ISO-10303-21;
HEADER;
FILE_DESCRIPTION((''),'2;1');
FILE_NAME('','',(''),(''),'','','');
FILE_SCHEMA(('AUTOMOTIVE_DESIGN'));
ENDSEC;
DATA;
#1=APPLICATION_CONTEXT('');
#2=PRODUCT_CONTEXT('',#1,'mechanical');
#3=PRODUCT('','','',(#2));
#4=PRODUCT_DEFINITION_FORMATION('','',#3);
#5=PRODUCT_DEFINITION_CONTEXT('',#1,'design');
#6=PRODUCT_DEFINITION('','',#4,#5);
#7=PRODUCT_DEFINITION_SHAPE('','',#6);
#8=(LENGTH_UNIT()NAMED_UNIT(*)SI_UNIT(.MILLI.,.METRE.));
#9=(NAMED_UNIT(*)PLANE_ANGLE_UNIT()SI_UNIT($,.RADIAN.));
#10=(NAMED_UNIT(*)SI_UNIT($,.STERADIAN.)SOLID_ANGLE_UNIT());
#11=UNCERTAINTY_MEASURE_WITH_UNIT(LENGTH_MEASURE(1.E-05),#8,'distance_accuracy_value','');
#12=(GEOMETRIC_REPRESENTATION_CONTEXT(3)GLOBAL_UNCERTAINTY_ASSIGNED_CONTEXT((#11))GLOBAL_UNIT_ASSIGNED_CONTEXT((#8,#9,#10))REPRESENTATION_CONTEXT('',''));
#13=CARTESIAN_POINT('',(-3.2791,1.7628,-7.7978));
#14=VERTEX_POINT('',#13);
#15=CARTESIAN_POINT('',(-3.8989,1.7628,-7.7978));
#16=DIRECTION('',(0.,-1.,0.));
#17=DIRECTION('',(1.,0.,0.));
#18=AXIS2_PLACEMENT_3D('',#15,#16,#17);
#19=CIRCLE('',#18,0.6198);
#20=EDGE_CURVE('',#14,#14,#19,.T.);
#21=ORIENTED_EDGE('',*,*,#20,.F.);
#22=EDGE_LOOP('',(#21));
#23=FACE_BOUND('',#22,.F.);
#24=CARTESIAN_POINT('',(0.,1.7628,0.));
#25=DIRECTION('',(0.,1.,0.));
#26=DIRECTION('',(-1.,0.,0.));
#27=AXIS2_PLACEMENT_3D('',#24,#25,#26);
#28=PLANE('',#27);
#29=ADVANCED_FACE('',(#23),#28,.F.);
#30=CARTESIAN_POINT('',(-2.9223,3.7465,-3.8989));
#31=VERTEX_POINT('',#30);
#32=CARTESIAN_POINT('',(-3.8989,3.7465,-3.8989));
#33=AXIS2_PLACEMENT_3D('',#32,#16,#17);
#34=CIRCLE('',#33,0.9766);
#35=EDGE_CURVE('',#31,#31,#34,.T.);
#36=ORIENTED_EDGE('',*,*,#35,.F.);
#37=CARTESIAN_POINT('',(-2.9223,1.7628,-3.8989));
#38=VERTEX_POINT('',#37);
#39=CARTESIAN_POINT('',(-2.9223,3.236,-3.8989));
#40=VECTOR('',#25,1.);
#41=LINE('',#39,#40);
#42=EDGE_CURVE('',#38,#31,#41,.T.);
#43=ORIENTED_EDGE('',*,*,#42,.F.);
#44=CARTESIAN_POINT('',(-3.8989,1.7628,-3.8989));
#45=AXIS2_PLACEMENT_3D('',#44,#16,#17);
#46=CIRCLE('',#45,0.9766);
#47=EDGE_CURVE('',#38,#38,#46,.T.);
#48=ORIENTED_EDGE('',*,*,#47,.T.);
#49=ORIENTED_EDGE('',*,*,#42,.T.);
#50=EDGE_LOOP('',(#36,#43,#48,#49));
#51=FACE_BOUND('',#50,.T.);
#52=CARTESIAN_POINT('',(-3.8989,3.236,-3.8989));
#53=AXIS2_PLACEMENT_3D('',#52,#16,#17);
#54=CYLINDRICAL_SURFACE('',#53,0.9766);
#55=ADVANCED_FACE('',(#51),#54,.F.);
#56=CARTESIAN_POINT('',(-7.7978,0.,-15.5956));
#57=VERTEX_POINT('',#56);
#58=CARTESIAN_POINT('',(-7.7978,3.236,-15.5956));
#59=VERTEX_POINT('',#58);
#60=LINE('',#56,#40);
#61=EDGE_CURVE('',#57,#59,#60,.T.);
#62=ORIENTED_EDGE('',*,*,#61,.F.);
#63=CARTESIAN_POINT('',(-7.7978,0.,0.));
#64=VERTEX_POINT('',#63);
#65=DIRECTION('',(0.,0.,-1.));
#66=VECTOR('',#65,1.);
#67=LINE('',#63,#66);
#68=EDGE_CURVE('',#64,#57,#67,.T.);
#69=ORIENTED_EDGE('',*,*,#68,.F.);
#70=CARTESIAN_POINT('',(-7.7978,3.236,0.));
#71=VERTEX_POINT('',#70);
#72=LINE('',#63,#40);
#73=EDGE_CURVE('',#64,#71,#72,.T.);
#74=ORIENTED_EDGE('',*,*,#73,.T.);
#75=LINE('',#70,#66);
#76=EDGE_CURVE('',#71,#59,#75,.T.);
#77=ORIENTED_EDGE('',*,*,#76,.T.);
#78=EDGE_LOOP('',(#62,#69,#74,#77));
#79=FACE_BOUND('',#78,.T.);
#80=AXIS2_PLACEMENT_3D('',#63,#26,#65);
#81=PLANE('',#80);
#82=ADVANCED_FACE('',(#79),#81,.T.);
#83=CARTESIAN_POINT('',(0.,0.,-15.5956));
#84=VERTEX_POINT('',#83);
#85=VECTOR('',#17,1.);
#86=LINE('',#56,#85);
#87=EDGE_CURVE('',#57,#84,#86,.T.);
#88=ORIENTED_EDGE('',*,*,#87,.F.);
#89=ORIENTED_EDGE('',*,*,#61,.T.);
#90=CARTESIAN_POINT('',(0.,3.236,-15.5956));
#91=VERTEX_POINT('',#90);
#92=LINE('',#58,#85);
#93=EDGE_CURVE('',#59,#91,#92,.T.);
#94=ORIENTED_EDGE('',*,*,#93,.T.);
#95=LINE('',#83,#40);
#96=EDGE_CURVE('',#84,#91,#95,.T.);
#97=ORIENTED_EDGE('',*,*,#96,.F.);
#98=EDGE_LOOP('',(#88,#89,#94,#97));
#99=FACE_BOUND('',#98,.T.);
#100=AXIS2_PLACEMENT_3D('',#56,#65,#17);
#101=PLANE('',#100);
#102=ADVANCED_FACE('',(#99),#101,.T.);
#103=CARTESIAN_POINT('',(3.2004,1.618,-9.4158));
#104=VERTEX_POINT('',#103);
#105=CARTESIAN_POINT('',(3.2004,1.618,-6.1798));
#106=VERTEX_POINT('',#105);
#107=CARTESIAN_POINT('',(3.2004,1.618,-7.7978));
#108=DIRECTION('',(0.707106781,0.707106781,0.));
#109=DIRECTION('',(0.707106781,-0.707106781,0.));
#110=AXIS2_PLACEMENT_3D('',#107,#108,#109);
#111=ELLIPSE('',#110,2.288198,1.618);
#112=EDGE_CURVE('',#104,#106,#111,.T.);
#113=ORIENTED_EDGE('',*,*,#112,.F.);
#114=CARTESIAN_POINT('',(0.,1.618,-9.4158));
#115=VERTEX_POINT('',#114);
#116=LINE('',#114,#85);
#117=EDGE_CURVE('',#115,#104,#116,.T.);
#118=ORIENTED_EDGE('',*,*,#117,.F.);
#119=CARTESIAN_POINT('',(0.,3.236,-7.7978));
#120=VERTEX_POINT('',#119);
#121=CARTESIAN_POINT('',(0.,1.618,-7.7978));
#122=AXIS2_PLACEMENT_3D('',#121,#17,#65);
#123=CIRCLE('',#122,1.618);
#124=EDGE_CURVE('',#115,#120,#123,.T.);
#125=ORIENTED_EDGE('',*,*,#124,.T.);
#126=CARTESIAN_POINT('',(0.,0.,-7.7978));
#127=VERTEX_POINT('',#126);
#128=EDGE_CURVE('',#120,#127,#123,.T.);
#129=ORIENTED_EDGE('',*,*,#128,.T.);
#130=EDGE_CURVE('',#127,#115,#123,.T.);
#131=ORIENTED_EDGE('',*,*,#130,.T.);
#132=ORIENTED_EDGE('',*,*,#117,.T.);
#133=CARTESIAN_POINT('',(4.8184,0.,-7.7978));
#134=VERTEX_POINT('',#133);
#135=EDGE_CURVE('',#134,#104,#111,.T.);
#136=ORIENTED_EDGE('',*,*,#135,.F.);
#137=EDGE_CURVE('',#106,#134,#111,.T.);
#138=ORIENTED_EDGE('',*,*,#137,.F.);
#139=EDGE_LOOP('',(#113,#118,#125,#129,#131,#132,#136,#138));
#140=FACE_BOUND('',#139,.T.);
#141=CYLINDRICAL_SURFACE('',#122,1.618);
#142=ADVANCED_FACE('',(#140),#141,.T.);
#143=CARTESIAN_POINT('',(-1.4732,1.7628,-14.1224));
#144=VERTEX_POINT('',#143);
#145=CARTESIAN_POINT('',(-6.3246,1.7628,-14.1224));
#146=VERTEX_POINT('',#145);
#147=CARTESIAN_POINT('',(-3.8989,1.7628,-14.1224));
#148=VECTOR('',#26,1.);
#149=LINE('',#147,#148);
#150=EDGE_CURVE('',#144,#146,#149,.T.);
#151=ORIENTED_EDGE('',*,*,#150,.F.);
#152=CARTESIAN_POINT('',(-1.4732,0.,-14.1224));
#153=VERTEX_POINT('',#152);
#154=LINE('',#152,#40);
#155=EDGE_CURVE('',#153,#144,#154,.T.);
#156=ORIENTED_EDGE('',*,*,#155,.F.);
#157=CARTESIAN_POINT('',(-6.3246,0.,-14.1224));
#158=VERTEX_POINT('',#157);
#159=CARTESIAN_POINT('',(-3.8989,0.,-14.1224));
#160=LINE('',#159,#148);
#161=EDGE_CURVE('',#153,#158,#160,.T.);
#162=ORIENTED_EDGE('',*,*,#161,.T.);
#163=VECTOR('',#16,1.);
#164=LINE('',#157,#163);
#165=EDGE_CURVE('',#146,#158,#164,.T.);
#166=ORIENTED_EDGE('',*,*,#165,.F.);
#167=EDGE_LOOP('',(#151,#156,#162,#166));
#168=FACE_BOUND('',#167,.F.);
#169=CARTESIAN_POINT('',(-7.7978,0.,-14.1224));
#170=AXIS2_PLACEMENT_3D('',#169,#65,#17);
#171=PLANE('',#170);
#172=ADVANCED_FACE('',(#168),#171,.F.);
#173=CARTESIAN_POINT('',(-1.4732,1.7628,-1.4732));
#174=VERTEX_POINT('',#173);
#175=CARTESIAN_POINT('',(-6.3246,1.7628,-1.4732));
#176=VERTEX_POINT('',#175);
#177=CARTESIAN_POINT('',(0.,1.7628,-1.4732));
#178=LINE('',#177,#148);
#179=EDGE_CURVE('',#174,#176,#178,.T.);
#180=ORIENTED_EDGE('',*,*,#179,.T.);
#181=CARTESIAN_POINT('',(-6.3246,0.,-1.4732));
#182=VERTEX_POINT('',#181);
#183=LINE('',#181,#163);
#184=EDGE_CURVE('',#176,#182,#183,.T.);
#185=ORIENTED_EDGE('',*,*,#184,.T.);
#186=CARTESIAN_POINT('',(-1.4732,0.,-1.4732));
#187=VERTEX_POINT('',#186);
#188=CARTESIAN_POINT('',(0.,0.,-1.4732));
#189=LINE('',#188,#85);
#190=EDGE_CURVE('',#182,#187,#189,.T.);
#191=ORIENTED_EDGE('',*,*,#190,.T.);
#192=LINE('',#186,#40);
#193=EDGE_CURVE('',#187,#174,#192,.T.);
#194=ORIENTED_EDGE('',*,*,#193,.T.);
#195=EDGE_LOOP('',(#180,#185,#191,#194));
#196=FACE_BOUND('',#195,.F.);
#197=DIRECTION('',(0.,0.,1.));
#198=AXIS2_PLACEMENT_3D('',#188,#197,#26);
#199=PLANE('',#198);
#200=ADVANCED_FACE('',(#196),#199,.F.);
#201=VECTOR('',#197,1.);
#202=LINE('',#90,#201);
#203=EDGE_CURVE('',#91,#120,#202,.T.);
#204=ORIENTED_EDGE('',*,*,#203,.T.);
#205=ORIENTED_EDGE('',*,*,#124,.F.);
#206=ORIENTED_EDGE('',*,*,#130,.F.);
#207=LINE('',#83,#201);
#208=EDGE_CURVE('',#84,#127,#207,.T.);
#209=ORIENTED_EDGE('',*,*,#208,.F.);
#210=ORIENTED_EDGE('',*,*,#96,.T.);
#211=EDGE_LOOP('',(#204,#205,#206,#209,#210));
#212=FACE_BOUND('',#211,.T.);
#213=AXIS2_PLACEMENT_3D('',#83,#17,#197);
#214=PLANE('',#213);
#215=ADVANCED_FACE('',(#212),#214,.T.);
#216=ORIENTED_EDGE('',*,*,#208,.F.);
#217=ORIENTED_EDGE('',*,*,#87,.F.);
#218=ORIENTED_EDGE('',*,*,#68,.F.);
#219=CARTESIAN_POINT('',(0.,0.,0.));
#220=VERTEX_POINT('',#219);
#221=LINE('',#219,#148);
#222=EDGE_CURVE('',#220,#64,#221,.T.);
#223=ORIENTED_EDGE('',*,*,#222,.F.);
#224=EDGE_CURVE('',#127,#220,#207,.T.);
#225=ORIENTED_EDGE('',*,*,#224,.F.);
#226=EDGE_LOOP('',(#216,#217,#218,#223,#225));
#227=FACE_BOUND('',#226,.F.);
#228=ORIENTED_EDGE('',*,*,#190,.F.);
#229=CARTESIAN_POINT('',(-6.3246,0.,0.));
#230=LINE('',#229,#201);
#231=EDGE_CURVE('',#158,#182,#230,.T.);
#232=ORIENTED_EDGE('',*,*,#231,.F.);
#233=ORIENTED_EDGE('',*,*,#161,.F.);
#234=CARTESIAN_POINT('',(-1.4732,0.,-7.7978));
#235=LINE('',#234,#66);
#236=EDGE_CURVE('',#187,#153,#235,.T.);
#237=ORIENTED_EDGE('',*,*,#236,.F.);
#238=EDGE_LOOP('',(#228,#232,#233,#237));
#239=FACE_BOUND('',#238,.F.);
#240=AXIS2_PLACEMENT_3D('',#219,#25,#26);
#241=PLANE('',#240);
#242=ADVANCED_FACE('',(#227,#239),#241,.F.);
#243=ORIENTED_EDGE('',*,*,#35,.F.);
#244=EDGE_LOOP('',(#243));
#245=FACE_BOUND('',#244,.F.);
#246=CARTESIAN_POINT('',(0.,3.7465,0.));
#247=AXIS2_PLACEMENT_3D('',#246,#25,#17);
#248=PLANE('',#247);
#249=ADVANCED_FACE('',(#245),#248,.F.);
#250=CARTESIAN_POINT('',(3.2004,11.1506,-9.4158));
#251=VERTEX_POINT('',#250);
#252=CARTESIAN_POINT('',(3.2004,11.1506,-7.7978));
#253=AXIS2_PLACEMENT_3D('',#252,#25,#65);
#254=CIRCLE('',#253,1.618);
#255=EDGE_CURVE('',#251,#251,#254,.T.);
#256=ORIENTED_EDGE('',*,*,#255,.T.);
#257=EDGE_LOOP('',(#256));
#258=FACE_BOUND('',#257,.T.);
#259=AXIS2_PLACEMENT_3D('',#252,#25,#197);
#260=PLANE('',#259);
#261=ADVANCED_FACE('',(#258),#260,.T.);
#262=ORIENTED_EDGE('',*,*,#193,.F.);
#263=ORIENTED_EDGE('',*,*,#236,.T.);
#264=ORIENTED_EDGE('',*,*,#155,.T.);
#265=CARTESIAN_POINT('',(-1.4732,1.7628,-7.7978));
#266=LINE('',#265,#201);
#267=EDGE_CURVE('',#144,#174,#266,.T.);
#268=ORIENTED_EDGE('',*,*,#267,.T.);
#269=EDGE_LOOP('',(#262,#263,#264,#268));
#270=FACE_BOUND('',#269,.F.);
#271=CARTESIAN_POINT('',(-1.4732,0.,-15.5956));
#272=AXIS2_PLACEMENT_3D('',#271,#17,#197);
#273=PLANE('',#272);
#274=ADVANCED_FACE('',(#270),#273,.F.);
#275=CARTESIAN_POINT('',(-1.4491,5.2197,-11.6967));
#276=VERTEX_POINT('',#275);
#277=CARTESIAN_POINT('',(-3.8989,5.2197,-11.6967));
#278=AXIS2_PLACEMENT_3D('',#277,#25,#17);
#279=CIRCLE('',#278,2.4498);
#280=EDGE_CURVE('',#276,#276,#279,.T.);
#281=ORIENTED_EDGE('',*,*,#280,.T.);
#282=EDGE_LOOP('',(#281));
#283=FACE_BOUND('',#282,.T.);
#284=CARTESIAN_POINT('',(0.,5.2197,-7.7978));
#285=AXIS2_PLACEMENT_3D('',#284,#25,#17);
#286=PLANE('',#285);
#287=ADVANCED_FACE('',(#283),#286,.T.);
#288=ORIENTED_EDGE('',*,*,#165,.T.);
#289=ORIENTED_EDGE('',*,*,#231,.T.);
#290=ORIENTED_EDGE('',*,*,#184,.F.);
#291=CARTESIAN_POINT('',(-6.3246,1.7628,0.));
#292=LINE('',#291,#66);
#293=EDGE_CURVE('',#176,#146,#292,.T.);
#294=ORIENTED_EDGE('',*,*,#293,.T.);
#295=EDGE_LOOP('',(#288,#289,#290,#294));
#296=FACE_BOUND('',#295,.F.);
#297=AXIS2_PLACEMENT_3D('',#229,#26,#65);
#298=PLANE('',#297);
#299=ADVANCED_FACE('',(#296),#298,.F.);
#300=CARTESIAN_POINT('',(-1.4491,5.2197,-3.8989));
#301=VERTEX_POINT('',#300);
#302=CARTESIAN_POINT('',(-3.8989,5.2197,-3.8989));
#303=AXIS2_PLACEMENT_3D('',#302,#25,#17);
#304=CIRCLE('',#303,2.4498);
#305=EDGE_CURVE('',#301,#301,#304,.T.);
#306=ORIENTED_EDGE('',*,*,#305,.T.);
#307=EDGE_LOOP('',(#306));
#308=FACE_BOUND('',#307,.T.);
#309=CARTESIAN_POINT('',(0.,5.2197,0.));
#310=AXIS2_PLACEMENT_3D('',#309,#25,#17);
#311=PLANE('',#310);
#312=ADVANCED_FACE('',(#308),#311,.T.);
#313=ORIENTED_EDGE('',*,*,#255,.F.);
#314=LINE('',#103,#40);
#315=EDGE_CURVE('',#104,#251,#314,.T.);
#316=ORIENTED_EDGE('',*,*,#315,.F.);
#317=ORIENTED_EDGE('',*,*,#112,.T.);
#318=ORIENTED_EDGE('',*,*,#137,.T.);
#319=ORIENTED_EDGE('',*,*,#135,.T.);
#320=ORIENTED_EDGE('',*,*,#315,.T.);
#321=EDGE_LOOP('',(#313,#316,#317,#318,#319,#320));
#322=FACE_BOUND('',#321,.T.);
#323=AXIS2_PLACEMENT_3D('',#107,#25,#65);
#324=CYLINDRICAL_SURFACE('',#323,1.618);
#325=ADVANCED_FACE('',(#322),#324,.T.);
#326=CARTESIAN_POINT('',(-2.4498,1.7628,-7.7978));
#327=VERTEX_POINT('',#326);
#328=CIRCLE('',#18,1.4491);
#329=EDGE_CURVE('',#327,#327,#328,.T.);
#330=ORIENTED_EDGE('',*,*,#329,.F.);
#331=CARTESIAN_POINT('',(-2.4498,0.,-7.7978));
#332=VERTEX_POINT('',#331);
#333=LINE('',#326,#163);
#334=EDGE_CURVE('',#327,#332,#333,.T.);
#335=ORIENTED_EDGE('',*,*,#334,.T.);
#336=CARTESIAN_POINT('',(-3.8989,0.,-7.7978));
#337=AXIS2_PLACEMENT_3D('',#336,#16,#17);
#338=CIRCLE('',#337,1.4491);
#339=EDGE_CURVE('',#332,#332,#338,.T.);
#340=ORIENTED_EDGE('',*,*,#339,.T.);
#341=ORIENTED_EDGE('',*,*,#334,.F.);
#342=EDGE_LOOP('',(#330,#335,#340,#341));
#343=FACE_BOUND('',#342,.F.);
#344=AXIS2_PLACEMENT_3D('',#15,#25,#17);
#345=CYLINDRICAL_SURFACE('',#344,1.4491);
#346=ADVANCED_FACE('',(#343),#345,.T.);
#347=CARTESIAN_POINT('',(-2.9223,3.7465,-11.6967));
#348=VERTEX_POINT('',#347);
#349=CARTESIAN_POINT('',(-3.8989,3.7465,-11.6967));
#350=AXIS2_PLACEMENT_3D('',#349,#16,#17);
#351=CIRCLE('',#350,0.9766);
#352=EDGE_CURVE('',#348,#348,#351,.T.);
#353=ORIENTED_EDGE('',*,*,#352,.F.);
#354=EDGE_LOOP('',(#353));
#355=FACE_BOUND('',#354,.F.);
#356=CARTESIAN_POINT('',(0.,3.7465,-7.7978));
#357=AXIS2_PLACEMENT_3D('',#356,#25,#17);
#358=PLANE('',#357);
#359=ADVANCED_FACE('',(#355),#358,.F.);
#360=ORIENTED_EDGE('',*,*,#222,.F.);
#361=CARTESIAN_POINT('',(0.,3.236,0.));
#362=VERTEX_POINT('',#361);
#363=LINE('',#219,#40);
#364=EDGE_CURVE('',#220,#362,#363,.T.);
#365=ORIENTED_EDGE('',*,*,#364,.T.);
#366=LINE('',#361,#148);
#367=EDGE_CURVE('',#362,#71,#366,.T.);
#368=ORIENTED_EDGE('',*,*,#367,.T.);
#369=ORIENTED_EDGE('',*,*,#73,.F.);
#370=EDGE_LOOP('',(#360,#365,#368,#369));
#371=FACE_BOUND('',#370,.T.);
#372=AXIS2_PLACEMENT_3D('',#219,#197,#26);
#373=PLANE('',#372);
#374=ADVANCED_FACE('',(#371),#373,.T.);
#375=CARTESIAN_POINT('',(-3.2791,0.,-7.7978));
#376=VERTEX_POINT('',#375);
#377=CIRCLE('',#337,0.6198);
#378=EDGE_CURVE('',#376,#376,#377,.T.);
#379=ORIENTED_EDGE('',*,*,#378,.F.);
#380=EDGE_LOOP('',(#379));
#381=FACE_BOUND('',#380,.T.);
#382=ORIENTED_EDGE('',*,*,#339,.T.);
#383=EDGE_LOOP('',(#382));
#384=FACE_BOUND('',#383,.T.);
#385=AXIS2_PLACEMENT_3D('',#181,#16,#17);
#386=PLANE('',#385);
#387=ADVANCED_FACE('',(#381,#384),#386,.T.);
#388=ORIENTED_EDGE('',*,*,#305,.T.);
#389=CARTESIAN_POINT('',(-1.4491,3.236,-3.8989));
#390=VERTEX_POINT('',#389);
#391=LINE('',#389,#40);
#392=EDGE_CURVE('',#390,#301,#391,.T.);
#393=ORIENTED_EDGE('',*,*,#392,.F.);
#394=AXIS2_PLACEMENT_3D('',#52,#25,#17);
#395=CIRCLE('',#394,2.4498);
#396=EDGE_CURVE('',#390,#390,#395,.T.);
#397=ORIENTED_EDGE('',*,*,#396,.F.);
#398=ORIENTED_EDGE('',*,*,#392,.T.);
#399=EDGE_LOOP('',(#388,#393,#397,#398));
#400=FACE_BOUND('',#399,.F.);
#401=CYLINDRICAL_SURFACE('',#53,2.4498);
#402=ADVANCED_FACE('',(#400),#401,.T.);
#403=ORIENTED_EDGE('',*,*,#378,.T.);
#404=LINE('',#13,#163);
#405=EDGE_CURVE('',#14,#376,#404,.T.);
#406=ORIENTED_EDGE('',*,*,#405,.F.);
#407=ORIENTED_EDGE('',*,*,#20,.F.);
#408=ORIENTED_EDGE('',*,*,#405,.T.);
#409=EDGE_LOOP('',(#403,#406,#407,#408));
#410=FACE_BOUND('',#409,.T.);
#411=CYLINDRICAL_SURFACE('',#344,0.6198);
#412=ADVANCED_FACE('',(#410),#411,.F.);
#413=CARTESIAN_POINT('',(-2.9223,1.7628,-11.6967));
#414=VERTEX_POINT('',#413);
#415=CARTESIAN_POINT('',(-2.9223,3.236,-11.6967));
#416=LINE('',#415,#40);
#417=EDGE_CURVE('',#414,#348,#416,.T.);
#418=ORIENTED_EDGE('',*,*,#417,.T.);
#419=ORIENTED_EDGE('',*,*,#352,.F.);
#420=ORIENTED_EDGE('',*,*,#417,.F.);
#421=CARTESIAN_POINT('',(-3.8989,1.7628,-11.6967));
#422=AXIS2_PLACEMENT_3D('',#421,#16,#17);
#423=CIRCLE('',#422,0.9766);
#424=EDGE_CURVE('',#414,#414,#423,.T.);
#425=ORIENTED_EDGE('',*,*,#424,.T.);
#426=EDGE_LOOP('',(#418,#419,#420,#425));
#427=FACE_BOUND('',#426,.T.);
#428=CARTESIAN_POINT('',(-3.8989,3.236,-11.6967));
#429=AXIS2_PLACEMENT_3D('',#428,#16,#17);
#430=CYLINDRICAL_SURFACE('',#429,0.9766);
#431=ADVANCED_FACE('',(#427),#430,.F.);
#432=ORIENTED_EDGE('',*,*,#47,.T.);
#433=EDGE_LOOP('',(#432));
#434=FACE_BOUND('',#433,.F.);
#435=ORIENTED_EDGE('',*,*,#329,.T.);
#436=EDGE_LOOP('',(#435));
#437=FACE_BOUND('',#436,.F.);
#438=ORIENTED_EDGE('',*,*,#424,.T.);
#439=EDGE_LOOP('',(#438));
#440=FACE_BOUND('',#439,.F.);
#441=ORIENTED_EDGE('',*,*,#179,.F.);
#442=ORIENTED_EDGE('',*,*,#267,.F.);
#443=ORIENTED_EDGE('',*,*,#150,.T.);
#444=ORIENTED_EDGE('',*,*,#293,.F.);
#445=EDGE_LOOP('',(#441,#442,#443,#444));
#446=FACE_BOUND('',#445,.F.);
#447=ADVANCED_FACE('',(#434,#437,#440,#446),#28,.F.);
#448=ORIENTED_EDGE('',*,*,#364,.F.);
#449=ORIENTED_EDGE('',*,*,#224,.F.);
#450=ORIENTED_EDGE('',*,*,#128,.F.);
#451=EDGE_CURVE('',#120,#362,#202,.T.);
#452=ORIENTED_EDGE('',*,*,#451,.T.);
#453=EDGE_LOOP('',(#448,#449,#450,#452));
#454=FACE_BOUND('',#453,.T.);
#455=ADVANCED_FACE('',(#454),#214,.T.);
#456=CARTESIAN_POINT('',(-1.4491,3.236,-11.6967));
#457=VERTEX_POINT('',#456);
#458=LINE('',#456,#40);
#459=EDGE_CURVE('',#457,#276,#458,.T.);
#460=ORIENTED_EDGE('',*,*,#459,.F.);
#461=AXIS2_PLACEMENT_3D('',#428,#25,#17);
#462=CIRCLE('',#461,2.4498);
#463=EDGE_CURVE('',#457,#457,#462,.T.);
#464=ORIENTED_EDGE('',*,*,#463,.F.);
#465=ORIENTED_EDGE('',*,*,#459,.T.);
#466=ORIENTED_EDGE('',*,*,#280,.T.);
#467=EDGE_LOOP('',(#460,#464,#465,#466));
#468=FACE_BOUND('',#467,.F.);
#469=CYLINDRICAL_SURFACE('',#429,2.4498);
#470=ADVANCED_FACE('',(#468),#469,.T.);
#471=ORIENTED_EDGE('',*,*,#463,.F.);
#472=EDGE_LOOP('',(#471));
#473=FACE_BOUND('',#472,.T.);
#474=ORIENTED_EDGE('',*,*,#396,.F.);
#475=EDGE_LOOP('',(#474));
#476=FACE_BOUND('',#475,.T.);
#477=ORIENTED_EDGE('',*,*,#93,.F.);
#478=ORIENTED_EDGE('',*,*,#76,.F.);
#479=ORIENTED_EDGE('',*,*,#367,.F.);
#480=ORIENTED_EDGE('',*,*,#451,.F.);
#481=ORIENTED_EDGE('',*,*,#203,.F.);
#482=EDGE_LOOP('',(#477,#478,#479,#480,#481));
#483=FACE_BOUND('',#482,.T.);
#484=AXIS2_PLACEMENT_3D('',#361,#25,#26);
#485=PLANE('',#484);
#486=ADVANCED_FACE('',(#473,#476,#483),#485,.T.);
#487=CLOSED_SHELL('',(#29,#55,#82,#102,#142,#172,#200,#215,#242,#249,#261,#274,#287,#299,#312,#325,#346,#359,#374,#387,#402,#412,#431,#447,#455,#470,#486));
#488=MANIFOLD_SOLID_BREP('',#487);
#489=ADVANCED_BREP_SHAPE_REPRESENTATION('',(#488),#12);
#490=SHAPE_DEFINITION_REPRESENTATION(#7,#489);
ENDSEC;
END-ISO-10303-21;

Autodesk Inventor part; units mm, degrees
ref_plane "YZ Plane" through (0, 0, 0) normal (1, 0, 0) x (0, 1, 0)
ref_plane "XZ Plane" through (0, 0, 0) normal (0, 1, 0) x (-1, 0, 0)
sketch "Sketch1" plane through (0, 0, 0) normal (0, 1, 0) x (-1, 0, 0)
  line L0 (0, 0) -> (7.7978, 0)
  line L1 (7.7978, 0) -> (7.7978, -15.5956)
  line L2 (7.7978, -15.5956) -> (0, -15.5956)
  line L3 (0, -15.5956) -> (0, 0)
  dimension "d0" = 7.7978
  dimension "d1" = 15.5956
extrude "Extrusion1" add sketch "Sketch1" along normal blind 3.236
sketch "Sketch2" plane through (0, 3.236, 0) normal (0, 1, 0) x (1, 0, 0)
  line L0 (0, 0) -> (-3.8989, 0) construction
  line L1 (-3.8989, 0) -> (-3.8989, 3.8989) construction
  line L2 (-3.8989, 3.8989) -> (0, 3.8989) construction
  line L3 (0, 3.8989) -> (0, 0) construction
  circle A0 centre (-3.8989, 3.8989) radius 2.4498
  dimension "d4" = 3.8989
  dimension "d5" = 3.8989
  dimension "d6" = 4.8997
extrude "Extrusion2" add sketch "Sketch2" along normal blind 1.9837
pattern_linear "Rectangular Pattern1" count 2 spacing 7.7978 along (0, 0, -1) of "Extrusion2"
shell "Shell1" thickness 1.4732 removed faces 1 at (-2.5993, 0, -5.1985)
sketch "Sketch3" plane through (-6.3246, 1.7628, -1.4732) normal (0, -1, 0) x (1, 0, 0)
  circle A0 centre (2.4257, -2.4257) radius 2.4498 construction
  circle A1 centre (2.4257, -10.2235) radius 2.4498 construction
  circle A2 centre (2.4257, -2.4257) radius 0.9766 construction
  line L0 (2.4257, -2.4257) -> (2.4257, -10.2235) construction
  circle A3 centre (2.4257, -6.3246) radius 0.6198
  circle A4 centre (2.4257, -6.3246) radius 1.4491
  point P0 (6.3246, 1.4732)
  dimension "d13" = 1.2395
extrude "Extrusion3" add sketch "Sketch3" along normal up to surface (1.7628 mm away)
sketch "Sketch4" plane through (0, 0, 0) normal (1, 0, 0) x (0, 0, -1)
  line L0 (0, 0) -> (0, 3.236) construction
  line L1 (15.5956, 0) -> (0, 0) construction
  line L2 (0, 3.236) -> (15.5956, 0) construction
  circle A0 centre (7.7978, 1.618) radius 1.618
ref_plane "Work Plane1" through (-7.7978, 0, -7.7978) normal (0, 0, 1) x (1, 0, 0)
sketch "Sketch6" plane through (-7.7978, 0, -7.7978) normal (0, 0, 1) x (1, 0, 0)
  line L0 (7.7978, 0) -> (7.7978, 3.236) projected
  line L1 (7.7978, 1.618) -> (10.9982, 1.618)
  line L2 (10.9982, 1.618) -> (10.9982, 11.1506)
  dimension "d20" = 3.2004
  dimension "d21" = 9.5326
sweep "Sweep1" add profiles "Sketch4" path "Sketch6" path curves L1 L2
properties part number "1x2 short black pegged with stick thingy" material "ABS Plastic"
